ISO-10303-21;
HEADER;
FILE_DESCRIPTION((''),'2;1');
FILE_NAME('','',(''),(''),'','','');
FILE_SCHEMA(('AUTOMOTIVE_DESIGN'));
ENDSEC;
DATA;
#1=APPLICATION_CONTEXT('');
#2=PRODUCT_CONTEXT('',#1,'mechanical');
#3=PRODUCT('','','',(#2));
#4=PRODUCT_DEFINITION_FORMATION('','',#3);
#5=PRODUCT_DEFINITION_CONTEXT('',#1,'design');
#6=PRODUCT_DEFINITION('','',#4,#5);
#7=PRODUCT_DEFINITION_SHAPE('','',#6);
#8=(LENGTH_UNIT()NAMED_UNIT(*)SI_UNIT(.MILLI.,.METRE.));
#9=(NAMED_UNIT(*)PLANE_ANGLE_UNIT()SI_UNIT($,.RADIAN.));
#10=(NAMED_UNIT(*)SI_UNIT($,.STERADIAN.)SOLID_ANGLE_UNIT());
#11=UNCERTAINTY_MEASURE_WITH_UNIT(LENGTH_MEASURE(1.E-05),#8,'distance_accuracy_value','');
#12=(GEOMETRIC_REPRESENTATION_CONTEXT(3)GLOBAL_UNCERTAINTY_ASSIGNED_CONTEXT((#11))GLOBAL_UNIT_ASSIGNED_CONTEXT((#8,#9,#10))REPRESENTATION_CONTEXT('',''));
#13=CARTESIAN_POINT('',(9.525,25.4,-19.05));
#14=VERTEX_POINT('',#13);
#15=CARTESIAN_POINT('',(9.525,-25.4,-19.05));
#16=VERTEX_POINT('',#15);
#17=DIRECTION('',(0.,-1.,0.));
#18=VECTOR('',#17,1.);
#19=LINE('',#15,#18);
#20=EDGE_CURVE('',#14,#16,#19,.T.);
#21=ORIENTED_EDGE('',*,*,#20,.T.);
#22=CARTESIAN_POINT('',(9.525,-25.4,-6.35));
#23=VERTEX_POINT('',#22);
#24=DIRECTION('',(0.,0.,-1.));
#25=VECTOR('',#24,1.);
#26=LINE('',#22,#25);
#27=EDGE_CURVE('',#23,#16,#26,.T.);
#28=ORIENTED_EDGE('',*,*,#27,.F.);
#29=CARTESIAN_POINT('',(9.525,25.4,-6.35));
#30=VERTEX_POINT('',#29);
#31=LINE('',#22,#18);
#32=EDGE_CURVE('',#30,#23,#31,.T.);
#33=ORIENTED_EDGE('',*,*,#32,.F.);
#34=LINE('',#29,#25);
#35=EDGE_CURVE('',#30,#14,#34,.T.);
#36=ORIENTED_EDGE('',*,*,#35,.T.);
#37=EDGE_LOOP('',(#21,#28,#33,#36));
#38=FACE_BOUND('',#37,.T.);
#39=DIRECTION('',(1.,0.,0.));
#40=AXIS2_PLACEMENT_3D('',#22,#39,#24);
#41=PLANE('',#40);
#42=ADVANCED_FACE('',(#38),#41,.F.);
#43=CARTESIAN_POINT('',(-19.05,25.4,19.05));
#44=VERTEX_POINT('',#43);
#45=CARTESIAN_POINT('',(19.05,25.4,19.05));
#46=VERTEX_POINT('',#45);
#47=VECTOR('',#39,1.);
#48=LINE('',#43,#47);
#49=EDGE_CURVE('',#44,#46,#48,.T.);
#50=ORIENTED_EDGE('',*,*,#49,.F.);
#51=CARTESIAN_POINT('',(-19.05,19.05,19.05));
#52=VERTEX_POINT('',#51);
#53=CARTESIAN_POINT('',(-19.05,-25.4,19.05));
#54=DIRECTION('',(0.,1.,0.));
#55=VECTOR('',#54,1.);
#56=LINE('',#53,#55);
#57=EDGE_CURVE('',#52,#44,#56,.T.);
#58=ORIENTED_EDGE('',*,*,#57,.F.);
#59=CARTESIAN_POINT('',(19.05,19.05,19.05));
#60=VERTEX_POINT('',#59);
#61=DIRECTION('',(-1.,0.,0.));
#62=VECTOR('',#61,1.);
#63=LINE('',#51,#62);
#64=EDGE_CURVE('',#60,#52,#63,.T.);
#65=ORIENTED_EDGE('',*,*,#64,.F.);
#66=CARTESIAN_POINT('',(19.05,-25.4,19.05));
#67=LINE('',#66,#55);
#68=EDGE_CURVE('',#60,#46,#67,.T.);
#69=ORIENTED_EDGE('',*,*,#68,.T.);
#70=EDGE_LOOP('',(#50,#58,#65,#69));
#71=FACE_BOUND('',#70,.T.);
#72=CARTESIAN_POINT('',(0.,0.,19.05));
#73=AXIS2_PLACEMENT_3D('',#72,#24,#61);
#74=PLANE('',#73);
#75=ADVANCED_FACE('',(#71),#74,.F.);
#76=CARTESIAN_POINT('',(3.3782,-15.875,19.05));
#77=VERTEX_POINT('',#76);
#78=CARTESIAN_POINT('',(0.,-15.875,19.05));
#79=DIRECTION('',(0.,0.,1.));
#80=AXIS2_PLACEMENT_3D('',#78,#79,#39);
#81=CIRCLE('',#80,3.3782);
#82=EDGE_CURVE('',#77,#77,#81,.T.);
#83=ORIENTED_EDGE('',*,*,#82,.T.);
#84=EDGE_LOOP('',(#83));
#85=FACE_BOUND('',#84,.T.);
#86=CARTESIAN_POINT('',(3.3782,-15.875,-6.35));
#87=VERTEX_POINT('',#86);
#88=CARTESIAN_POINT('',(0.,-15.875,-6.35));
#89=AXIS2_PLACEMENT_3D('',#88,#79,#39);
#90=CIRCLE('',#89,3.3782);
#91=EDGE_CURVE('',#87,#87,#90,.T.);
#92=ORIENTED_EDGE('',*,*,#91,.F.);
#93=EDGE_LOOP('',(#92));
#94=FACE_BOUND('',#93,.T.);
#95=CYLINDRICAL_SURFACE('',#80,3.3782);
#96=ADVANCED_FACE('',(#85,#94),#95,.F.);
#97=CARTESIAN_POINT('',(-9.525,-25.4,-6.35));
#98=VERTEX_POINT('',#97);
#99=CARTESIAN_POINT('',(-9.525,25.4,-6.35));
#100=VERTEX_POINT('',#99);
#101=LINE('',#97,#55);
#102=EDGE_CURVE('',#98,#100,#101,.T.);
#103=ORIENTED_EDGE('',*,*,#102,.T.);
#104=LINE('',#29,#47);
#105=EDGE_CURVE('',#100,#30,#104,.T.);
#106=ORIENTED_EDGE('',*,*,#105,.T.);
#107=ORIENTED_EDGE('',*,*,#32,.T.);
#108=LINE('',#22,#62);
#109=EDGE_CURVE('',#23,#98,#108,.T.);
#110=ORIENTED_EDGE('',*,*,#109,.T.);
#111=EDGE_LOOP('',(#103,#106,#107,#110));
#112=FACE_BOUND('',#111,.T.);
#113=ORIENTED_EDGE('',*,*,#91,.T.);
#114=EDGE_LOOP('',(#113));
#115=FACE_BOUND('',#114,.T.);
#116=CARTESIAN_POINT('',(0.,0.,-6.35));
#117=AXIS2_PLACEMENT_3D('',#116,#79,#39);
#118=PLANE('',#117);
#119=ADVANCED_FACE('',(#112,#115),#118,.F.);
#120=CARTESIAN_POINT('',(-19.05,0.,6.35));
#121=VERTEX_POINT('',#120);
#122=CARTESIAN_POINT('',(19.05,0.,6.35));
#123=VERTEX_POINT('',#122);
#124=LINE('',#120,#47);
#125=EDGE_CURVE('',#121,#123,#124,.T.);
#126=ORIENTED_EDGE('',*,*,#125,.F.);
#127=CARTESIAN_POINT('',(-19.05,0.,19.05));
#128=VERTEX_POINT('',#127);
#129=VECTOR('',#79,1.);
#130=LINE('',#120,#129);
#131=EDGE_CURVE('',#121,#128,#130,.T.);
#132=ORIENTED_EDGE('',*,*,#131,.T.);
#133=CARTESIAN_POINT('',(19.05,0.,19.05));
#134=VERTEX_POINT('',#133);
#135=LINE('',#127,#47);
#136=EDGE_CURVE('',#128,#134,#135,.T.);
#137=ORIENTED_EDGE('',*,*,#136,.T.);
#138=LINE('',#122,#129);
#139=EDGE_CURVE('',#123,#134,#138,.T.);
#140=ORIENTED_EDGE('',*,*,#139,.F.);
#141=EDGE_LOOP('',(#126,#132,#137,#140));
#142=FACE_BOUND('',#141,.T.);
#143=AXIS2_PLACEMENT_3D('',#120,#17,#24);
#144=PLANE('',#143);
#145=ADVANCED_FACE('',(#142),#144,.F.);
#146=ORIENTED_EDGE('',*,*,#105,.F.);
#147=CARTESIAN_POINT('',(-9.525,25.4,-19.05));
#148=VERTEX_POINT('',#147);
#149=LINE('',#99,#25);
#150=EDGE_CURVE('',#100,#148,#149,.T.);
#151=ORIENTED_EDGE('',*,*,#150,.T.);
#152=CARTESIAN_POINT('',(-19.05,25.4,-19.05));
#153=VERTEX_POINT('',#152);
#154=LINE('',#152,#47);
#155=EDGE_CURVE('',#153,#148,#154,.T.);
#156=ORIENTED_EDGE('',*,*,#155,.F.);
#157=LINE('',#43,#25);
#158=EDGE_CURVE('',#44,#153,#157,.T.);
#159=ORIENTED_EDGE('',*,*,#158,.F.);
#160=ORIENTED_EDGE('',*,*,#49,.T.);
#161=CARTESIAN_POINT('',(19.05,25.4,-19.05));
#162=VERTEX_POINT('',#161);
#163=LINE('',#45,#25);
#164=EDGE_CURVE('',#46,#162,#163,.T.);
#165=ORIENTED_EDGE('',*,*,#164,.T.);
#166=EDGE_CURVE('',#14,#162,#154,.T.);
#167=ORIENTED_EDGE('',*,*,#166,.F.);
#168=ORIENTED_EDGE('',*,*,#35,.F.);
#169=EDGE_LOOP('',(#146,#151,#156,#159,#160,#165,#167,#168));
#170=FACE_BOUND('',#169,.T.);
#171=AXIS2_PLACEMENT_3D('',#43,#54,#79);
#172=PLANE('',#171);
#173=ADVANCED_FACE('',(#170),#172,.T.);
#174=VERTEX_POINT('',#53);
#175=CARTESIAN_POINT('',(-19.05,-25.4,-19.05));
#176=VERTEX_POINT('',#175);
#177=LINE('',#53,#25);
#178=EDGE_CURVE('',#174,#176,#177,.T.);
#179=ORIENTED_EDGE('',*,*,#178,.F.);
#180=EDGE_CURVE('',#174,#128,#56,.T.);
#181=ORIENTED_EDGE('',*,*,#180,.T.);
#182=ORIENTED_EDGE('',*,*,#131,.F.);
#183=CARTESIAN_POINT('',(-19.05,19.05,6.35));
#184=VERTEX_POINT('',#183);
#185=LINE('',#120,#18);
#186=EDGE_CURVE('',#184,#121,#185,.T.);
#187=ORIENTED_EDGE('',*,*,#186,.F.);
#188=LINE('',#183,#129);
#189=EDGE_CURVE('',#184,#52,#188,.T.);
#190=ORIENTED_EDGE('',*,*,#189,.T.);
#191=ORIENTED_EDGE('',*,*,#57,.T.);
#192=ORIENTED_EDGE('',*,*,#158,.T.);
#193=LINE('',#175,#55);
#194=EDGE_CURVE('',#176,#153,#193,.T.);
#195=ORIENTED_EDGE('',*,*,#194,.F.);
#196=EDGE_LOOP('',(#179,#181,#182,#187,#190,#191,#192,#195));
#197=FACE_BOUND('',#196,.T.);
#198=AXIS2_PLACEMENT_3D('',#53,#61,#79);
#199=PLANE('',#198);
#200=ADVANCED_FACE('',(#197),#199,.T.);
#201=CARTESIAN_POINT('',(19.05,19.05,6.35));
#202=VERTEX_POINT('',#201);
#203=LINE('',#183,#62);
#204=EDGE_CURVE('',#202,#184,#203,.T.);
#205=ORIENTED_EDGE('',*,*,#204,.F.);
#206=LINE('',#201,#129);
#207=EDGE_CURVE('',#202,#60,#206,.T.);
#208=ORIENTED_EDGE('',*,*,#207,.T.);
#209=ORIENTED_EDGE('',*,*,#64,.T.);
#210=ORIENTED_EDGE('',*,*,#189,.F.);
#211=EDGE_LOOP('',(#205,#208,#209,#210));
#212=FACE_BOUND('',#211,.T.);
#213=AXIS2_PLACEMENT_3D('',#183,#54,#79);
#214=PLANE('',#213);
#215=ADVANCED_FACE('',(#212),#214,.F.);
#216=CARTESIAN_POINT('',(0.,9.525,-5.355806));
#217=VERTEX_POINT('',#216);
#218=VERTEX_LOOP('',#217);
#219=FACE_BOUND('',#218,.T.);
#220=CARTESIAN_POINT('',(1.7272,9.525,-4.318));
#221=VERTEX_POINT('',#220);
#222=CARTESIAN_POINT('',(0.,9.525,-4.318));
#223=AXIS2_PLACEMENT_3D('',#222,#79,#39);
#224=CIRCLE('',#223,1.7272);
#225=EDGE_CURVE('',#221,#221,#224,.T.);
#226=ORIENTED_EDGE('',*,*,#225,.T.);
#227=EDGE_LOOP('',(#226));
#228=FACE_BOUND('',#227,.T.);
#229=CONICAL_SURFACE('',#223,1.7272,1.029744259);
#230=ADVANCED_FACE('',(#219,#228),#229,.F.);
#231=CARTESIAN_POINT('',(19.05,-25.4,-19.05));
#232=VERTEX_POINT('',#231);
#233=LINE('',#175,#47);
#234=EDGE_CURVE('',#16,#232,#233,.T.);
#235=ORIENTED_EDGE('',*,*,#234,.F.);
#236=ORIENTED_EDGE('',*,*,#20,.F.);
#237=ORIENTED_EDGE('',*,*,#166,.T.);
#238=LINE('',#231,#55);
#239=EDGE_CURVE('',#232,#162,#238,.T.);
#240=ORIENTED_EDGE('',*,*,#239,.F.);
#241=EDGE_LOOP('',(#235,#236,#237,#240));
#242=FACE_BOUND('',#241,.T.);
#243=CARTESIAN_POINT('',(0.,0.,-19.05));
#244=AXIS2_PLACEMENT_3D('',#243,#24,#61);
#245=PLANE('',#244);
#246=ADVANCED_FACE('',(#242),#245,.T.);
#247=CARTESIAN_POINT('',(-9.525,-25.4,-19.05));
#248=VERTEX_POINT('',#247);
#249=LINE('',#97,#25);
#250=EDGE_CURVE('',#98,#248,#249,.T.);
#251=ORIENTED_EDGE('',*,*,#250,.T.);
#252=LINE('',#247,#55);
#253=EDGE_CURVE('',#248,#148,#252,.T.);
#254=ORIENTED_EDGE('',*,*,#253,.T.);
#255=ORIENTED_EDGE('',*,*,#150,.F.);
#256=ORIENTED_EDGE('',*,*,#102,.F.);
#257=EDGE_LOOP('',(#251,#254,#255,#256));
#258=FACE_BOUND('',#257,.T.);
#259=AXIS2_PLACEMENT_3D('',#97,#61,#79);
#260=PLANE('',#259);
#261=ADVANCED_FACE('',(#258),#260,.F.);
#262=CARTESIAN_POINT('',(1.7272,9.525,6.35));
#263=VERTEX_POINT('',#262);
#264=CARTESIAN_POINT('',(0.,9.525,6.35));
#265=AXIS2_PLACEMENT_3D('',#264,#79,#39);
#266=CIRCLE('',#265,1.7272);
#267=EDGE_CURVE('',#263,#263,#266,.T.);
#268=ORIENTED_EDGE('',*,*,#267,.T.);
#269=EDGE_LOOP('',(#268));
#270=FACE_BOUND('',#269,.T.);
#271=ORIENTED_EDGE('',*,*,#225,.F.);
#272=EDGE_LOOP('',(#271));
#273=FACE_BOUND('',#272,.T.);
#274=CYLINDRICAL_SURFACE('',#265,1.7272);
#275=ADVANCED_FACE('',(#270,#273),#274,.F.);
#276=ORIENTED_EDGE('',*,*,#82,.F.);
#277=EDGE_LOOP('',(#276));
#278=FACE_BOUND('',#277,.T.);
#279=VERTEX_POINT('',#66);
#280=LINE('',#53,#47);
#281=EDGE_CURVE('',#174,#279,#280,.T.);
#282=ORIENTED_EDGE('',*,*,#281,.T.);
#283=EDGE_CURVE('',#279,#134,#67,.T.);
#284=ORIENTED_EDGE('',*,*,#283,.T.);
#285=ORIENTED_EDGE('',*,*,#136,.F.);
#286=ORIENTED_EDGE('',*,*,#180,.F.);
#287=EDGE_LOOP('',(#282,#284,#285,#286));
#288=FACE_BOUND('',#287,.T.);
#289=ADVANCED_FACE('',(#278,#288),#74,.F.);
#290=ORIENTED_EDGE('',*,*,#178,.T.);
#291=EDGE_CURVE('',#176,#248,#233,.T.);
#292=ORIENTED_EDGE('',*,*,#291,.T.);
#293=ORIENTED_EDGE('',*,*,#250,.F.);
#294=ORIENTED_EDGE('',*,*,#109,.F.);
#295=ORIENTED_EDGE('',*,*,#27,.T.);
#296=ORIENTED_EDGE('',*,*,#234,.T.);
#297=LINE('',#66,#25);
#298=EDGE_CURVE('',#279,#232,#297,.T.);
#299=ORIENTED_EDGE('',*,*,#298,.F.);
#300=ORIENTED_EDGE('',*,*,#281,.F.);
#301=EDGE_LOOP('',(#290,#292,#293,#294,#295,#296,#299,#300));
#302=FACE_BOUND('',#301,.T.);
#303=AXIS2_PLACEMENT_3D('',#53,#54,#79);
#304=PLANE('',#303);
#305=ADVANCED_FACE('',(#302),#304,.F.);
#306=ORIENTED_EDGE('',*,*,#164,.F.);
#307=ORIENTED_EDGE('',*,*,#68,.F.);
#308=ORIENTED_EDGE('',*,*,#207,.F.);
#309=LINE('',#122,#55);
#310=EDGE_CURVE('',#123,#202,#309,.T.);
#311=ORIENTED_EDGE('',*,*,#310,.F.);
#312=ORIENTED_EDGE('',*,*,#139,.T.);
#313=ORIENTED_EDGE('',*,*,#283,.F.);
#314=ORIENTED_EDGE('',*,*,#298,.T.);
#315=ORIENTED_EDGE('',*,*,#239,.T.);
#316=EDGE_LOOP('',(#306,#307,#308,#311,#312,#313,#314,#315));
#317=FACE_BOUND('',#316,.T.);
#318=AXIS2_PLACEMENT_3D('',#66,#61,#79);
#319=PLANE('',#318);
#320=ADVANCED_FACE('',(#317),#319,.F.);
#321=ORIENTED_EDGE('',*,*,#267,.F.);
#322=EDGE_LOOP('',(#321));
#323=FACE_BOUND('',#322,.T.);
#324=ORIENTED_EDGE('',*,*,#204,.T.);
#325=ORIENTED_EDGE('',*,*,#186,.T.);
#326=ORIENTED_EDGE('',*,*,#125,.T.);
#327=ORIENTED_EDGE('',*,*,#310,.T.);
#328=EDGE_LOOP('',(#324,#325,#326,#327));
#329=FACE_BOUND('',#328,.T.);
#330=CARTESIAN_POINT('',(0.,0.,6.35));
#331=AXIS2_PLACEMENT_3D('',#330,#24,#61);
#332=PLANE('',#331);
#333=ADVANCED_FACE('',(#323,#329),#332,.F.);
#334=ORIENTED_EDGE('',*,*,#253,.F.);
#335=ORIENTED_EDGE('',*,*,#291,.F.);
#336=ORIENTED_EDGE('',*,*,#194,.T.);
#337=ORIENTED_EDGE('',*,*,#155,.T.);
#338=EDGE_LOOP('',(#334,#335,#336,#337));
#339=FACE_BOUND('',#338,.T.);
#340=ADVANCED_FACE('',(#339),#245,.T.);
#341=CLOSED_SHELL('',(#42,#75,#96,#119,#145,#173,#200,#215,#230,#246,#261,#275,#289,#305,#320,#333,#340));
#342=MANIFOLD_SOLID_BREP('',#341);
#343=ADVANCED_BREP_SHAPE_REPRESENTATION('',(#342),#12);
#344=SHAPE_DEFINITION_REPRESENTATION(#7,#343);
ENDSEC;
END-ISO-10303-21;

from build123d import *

# Parameters (mm, degrees)
SKETCH1_W                 = 38.1
SKETCH1_H                 = 50.8
BOSS_EXTRUDE1_DEPTH       = 19.05
SKETCH2_W                 = 19.05
SKETCH2_H                 = 50.8
CUT_EXTRUDE1_DEPTH        = 12.7
SKETCH3_W                 = 38.1
SKETCH3_H                 = 19.05
CUT_EXTRUDE2_DEPTH        = 12.7
F_1_4_CLEARANCE_HOLE1_D   = 6.7564
F_8_32_TAPPED_HOLE1_D     = 3.4544
F_8_32_TAPPED_HOLE1_DEPTH = 10.668
F_8_32_TAPPED_HOLE1_TIP   = 1.037806461


with BuildPart() as part:
    # Sketch1 → Boss-Extrude1 (new, symmetric)
    with BuildSketch(Plane.XY):
        Rectangle(SKETCH1_W, SKETCH1_H)
    extrude(amount=BOSS_EXTRUDE1_DEPTH, both=True)

    # Sketch2 → Cut-Extrude1 (cut)
    with BuildSketch(Plane(origin=(0, 0, -19.05), x_dir=(-1, 0, 0), z_dir=(0, 0, -1))):
        Rectangle(SKETCH2_W, SKETCH2_H)
    extrude(amount=-CUT_EXTRUDE1_DEPTH, mode=Mode.SUBTRACT)

    # Sketch3 → Cut-Extrude2 (cut)
    with BuildSketch(Plane.XY.offset(19.05)):
        with Locations((0, 9.525)):
            Rectangle(SKETCH3_W, SKETCH3_H)
    extrude(amount=-CUT_EXTRUDE2_DEPTH, mode=Mode.SUBTRACT)

    # 1/4 Clearance Hole1 (through all)
    with Locations(Plane.XY.offset(19.05)):
        with Locations((0, -15.875)):
            Hole(F_1_4_CLEARANCE_HOLE1_D / 2)

    # #8-32 Tapped Hole1
    with Locations(Plane.XY.offset(6.35)):
        with Locations((0, 9.525)):
            Hole(F_8_32_TAPPED_HOLE1_D / 2, depth=F_8_32_TAPPED_HOLE1_DEPTH)
            with Locations((0, 0, -(F_8_32_TAPPED_HOLE1_DEPTH + F_8_32_TAPPED_HOLE1_TIP / 2))):  # 118° drill point
                Cone(0, F_8_32_TAPPED_HOLE1_D / 2, F_8_32_TAPPED_HOLE1_TIP, mode=Mode.SUBTRACT)


solid = part.part
